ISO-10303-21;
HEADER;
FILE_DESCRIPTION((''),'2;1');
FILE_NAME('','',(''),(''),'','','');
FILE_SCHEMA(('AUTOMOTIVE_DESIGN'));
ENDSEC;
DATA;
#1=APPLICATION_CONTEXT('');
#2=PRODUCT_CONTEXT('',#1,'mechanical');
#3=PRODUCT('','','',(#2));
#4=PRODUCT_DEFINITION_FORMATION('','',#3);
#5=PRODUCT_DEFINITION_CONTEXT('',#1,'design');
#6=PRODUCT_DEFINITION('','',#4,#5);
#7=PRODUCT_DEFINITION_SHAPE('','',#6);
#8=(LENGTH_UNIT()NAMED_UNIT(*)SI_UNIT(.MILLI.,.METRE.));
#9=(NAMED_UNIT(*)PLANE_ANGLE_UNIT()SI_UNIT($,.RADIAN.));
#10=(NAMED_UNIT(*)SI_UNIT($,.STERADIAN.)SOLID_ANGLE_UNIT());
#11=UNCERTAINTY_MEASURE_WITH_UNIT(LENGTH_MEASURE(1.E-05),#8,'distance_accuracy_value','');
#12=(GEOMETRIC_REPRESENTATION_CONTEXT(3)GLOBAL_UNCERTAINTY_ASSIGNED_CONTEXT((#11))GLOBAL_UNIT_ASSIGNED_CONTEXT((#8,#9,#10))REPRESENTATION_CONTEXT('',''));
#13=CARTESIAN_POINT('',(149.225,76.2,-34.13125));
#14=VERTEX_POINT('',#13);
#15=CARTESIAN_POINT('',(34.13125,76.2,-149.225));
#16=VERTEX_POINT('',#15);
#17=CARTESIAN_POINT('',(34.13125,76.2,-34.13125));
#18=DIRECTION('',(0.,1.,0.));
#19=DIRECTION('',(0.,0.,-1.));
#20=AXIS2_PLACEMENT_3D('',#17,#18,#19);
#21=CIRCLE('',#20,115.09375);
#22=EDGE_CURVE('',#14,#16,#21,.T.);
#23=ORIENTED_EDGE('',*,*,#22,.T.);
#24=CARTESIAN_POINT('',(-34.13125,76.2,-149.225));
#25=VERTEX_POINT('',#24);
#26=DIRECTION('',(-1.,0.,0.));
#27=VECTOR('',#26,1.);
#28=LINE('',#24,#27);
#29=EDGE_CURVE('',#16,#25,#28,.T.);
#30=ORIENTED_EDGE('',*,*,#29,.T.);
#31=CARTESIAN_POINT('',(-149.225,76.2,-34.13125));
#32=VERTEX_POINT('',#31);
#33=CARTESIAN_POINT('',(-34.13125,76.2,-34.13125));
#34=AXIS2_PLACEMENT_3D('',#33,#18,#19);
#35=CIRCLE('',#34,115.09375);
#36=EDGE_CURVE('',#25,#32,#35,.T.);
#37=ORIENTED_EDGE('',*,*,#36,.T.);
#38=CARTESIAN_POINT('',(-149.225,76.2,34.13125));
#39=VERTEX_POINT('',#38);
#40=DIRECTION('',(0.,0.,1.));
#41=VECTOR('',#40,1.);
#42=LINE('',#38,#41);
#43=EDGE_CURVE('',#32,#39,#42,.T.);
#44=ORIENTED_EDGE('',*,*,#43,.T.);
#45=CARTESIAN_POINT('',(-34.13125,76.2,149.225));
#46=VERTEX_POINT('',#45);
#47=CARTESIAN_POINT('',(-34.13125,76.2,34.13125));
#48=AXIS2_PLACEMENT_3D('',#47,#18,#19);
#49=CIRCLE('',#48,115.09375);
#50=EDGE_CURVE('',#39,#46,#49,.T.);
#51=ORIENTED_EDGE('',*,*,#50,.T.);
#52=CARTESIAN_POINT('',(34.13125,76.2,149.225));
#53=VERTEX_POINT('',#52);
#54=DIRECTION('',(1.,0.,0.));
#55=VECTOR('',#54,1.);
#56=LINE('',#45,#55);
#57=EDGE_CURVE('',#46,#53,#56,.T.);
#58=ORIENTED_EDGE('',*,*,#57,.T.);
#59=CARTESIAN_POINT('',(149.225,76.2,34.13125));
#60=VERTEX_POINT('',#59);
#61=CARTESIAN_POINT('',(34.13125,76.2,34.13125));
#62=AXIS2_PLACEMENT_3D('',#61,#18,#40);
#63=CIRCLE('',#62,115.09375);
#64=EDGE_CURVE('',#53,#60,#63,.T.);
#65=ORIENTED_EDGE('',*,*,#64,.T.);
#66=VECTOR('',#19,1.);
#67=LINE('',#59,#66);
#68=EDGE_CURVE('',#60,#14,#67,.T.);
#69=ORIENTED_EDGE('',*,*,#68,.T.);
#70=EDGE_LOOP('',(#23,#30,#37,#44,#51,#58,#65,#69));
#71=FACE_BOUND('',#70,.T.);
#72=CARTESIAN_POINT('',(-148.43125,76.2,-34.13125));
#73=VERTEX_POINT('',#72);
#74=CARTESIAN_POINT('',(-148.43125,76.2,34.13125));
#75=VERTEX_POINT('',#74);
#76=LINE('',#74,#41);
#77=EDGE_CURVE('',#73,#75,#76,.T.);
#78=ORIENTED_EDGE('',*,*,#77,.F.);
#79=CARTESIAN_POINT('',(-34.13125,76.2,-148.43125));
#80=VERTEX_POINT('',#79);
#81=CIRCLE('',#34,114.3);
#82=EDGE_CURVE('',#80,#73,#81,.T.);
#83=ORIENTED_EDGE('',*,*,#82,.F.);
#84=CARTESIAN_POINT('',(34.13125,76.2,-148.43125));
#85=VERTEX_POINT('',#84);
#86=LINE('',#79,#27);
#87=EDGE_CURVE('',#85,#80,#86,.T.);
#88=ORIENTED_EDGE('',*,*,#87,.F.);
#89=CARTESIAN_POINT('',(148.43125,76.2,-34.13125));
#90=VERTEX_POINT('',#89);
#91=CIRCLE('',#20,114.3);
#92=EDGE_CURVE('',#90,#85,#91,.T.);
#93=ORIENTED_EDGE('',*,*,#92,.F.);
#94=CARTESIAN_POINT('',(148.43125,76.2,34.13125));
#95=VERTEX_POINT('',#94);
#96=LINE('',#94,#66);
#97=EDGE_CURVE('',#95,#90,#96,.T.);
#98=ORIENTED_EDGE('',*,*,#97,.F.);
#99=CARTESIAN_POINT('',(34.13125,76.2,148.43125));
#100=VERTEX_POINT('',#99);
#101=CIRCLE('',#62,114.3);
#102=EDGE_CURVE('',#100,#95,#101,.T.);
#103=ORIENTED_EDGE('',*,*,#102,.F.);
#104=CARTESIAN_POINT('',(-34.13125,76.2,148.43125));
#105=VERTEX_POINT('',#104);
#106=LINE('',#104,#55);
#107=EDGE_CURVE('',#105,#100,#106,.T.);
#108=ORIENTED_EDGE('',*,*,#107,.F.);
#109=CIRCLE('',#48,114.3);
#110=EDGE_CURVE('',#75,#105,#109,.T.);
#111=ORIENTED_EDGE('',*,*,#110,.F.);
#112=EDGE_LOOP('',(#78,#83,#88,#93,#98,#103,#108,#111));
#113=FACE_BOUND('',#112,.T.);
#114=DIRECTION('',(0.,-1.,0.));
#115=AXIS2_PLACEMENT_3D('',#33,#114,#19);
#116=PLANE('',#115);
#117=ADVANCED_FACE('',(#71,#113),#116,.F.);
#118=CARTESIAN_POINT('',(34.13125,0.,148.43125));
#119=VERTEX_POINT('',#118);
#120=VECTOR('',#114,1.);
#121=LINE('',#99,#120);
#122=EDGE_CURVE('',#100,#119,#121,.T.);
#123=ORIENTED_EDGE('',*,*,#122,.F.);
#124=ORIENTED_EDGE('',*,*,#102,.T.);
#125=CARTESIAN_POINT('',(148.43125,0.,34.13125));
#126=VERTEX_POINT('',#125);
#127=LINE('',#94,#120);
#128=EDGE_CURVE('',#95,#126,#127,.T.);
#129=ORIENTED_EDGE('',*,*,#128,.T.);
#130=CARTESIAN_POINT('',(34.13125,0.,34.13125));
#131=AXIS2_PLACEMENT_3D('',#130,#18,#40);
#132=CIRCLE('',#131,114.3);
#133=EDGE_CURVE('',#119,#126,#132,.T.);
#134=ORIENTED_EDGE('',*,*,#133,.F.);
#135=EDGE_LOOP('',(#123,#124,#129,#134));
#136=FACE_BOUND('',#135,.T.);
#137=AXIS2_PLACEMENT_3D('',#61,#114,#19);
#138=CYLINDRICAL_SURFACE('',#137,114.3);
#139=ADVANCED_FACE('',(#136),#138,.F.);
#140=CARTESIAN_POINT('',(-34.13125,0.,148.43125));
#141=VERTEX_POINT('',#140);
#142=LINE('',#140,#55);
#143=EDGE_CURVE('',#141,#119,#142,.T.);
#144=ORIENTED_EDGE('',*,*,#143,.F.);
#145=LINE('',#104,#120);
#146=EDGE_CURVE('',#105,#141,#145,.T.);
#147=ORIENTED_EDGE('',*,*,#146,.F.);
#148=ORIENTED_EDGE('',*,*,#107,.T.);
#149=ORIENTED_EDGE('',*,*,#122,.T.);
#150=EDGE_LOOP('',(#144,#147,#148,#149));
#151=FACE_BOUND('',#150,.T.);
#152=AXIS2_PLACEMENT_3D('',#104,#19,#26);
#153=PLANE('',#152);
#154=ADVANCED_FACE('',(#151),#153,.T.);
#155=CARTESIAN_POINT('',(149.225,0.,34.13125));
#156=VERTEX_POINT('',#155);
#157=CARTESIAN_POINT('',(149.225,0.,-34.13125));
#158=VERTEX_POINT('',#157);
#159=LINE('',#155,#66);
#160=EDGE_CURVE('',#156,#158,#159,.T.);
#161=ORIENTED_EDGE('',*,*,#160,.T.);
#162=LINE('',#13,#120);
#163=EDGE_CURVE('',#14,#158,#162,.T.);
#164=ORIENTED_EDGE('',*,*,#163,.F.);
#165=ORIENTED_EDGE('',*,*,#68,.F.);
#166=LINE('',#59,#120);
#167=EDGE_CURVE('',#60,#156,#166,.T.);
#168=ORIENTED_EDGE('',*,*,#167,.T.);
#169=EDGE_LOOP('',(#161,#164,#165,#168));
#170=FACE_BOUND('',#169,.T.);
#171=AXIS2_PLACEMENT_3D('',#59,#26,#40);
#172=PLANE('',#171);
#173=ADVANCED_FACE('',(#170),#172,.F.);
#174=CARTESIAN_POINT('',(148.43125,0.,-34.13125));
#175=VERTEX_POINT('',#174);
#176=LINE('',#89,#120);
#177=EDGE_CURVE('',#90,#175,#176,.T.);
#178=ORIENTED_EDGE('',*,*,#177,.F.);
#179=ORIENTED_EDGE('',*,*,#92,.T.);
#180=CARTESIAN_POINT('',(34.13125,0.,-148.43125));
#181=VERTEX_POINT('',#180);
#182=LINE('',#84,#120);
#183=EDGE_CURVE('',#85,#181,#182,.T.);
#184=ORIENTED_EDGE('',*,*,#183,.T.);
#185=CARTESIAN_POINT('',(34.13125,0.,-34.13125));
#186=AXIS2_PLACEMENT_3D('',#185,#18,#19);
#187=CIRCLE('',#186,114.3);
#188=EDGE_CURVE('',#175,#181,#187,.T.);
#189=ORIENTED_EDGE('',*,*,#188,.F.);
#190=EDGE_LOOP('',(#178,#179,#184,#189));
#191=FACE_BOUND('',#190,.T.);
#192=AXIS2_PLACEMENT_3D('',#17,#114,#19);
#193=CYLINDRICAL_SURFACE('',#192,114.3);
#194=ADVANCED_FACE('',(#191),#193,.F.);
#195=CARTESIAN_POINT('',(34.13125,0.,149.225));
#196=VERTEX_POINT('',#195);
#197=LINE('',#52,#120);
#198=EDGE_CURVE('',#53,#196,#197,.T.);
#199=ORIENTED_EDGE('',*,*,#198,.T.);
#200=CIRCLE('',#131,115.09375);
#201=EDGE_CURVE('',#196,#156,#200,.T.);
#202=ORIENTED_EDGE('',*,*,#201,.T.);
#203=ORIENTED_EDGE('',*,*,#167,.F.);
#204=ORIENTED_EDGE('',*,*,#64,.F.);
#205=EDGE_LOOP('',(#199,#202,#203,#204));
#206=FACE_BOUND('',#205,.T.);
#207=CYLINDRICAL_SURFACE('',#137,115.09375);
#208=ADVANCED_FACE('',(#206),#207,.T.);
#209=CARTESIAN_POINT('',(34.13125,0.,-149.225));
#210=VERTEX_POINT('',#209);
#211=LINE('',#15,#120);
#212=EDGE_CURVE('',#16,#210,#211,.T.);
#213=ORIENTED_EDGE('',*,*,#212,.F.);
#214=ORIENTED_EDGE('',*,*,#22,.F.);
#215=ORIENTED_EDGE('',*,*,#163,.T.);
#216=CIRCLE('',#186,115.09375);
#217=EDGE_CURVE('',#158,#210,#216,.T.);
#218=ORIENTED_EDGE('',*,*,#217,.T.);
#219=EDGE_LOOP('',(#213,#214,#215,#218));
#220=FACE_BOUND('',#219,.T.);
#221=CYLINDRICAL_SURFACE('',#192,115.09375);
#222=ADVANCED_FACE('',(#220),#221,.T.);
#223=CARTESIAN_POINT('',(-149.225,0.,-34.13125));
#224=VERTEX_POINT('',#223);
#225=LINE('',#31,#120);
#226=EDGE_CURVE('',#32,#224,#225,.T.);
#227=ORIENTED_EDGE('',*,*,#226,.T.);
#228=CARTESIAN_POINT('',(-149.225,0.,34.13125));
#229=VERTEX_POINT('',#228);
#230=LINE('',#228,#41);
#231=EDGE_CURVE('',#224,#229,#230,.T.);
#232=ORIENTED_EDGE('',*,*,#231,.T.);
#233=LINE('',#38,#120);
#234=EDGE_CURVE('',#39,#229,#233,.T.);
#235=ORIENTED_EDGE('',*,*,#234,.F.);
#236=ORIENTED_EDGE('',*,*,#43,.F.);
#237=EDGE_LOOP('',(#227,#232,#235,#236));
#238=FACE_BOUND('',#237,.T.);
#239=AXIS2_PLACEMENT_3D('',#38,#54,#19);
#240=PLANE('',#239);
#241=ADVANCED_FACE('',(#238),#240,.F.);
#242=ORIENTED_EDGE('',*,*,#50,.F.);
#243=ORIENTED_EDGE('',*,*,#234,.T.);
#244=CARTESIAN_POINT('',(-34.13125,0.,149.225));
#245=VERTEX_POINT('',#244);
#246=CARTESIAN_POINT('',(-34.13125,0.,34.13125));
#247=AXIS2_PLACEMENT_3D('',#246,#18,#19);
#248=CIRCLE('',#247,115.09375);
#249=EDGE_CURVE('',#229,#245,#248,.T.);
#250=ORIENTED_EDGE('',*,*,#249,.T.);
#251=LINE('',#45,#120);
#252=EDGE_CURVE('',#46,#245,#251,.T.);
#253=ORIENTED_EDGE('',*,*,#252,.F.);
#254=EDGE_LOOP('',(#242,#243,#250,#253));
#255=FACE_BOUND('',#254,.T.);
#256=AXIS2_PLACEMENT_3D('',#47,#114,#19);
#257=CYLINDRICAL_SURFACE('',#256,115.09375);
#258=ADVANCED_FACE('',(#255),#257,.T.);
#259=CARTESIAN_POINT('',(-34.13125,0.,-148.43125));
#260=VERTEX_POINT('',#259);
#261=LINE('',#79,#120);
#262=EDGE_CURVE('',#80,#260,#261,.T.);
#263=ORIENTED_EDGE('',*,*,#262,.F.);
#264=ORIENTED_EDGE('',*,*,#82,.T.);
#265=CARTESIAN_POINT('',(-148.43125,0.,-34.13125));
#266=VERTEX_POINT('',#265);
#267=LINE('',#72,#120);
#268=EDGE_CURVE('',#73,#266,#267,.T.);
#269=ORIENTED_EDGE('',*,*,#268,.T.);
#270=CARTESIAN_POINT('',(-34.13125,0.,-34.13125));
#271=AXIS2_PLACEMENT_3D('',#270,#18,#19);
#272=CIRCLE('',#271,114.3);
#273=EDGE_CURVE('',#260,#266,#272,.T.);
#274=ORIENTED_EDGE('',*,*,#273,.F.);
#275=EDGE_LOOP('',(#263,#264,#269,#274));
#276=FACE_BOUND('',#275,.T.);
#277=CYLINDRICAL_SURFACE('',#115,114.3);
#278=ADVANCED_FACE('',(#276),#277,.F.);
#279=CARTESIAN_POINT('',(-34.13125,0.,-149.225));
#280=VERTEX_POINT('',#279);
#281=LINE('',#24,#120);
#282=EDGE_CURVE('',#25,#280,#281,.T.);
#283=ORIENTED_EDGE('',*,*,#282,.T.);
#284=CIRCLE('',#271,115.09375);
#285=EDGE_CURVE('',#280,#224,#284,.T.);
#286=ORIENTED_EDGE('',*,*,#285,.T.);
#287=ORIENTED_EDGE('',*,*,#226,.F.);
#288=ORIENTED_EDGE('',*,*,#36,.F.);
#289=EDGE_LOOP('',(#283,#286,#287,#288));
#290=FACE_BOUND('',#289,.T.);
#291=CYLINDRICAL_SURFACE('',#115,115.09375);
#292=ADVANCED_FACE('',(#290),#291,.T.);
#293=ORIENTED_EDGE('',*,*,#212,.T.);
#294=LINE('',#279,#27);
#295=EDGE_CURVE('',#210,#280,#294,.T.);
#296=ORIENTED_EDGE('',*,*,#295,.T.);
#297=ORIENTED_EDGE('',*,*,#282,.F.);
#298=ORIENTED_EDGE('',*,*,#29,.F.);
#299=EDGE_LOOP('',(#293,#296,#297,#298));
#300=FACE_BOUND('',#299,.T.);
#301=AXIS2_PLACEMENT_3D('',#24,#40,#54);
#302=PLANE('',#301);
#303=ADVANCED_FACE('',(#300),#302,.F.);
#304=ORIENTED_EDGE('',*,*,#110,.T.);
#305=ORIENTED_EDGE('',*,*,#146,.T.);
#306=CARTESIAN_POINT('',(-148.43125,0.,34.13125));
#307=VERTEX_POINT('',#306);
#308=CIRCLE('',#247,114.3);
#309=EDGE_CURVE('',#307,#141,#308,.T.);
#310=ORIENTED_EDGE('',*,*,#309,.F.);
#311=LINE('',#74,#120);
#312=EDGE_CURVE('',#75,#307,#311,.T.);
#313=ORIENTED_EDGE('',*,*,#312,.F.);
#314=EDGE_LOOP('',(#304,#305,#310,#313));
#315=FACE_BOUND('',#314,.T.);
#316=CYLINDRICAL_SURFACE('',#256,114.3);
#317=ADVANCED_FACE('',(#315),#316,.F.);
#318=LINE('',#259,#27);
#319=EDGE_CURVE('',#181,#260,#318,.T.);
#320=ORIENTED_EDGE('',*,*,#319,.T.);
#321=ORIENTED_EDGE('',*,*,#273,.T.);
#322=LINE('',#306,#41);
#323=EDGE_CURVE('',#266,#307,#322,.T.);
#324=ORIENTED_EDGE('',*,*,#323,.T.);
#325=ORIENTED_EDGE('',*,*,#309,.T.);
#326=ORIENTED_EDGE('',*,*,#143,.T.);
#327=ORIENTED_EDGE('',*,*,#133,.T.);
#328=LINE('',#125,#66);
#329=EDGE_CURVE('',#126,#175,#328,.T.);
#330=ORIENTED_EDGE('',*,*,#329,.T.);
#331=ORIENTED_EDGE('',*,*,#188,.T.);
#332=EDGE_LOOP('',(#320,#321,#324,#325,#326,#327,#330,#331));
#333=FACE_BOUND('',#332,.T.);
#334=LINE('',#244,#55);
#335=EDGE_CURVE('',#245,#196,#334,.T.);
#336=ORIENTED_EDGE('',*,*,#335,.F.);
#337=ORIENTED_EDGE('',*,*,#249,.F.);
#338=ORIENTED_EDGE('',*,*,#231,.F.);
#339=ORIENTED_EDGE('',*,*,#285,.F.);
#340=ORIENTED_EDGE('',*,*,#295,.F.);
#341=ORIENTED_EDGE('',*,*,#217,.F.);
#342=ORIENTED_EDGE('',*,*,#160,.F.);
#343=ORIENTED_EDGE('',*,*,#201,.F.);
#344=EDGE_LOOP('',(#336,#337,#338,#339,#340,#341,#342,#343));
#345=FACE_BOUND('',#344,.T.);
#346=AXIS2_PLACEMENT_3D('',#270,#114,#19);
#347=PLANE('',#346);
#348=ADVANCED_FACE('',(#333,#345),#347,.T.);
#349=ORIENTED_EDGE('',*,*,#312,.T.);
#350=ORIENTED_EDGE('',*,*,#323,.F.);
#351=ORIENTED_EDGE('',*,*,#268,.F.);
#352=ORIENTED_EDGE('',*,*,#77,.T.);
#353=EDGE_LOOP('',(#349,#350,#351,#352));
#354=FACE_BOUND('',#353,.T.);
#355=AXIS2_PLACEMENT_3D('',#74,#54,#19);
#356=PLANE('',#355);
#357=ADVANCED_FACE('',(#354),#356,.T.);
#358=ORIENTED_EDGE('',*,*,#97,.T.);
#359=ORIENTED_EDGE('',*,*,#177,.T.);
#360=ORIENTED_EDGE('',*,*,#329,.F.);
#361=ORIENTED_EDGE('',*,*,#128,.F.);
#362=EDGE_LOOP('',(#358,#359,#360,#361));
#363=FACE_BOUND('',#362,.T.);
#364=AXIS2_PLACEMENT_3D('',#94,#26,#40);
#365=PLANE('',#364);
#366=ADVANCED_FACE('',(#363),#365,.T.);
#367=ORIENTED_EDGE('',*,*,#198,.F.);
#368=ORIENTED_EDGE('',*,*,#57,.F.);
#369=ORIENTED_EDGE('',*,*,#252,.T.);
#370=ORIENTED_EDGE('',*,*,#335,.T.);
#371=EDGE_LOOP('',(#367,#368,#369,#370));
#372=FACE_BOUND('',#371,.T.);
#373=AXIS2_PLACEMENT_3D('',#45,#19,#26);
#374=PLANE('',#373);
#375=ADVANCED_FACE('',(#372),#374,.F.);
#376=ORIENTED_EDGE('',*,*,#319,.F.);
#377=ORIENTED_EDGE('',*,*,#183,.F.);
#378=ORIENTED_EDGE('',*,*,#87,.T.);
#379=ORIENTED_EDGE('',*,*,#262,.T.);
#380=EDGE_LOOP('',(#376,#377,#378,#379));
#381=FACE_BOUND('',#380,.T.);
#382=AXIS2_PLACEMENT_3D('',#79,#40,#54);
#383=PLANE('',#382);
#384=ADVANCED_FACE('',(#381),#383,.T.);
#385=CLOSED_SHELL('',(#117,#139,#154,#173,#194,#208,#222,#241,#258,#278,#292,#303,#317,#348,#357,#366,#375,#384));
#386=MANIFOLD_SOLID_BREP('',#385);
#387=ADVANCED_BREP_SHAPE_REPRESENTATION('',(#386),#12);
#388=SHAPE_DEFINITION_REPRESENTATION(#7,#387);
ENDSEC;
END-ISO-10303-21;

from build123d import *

# Parameters (mm, degrees)
BOSS_EXTRUDE1_DEPTH = 76.2


with BuildPart() as part:
    # Sketch1 → Boss-Extrude1 (new body)
    with BuildSketch(Plane(origin=(0, 0, 0), x_dir=(1, 0, 0), z_dir=(0, 1, 0))):
        with BuildLine():
            Line((-34.13125, 149.225), (34.13125, 149.225))
            ThreePointArc((34.13125, 149.225), (115.514821097, 115.514821097), (149.225, 34.13125))
            Line((149.225, 34.13125), (149.225, -34.13125))
            ThreePointArc((149.225, -34.13125), (115.514821097, -115.514821097), (34.13125, -149.225))
            Line((34.13125, -149.225), (-34.13125, -149.225))
            ThreePointArc((-34.13125, -149.225), (-115.514821097, -115.514821097), (-149.225, -34.13125))
            Line((-149.225, -34.13125), (-149.225, 34.13125))
            ThreePointArc((-149.225, 34.13125), (-115.514821097, 115.514821097), (-34.13125, 149.225))
        make_face()
        with BuildLine():
            Line((-34.13125, -148.43125), (34.13125, -148.43125))
            ThreePointArc((34.13125, -148.43125), (114.95355509, -114.95355509), (148.43125, -34.13125))
            Line((148.43125, -34.13125), (148.43125, 34.13125))
            ThreePointArc((148.43125, 34.13125), (114.95355509, 114.95355509), (34.13125, 148.43125))
            Line((34.13125, 148.43125), (-34.13125, 148.43125))
            ThreePointArc((-34.13125, 148.43125), (-114.95355509, 114.95355509), (-148.43125, 34.13125))
            Line((-148.43125, 34.13125), (-148.43125, -34.13125))
            ThreePointArc((-148.43125, -34.13125), (-114.95355509, -114.95355509), (-34.13125, -148.43125))
        make_face(mode=Mode.SUBTRACT)
    extrude(amount=BOSS_EXTRUDE1_DEPTH)


solid = part.part
